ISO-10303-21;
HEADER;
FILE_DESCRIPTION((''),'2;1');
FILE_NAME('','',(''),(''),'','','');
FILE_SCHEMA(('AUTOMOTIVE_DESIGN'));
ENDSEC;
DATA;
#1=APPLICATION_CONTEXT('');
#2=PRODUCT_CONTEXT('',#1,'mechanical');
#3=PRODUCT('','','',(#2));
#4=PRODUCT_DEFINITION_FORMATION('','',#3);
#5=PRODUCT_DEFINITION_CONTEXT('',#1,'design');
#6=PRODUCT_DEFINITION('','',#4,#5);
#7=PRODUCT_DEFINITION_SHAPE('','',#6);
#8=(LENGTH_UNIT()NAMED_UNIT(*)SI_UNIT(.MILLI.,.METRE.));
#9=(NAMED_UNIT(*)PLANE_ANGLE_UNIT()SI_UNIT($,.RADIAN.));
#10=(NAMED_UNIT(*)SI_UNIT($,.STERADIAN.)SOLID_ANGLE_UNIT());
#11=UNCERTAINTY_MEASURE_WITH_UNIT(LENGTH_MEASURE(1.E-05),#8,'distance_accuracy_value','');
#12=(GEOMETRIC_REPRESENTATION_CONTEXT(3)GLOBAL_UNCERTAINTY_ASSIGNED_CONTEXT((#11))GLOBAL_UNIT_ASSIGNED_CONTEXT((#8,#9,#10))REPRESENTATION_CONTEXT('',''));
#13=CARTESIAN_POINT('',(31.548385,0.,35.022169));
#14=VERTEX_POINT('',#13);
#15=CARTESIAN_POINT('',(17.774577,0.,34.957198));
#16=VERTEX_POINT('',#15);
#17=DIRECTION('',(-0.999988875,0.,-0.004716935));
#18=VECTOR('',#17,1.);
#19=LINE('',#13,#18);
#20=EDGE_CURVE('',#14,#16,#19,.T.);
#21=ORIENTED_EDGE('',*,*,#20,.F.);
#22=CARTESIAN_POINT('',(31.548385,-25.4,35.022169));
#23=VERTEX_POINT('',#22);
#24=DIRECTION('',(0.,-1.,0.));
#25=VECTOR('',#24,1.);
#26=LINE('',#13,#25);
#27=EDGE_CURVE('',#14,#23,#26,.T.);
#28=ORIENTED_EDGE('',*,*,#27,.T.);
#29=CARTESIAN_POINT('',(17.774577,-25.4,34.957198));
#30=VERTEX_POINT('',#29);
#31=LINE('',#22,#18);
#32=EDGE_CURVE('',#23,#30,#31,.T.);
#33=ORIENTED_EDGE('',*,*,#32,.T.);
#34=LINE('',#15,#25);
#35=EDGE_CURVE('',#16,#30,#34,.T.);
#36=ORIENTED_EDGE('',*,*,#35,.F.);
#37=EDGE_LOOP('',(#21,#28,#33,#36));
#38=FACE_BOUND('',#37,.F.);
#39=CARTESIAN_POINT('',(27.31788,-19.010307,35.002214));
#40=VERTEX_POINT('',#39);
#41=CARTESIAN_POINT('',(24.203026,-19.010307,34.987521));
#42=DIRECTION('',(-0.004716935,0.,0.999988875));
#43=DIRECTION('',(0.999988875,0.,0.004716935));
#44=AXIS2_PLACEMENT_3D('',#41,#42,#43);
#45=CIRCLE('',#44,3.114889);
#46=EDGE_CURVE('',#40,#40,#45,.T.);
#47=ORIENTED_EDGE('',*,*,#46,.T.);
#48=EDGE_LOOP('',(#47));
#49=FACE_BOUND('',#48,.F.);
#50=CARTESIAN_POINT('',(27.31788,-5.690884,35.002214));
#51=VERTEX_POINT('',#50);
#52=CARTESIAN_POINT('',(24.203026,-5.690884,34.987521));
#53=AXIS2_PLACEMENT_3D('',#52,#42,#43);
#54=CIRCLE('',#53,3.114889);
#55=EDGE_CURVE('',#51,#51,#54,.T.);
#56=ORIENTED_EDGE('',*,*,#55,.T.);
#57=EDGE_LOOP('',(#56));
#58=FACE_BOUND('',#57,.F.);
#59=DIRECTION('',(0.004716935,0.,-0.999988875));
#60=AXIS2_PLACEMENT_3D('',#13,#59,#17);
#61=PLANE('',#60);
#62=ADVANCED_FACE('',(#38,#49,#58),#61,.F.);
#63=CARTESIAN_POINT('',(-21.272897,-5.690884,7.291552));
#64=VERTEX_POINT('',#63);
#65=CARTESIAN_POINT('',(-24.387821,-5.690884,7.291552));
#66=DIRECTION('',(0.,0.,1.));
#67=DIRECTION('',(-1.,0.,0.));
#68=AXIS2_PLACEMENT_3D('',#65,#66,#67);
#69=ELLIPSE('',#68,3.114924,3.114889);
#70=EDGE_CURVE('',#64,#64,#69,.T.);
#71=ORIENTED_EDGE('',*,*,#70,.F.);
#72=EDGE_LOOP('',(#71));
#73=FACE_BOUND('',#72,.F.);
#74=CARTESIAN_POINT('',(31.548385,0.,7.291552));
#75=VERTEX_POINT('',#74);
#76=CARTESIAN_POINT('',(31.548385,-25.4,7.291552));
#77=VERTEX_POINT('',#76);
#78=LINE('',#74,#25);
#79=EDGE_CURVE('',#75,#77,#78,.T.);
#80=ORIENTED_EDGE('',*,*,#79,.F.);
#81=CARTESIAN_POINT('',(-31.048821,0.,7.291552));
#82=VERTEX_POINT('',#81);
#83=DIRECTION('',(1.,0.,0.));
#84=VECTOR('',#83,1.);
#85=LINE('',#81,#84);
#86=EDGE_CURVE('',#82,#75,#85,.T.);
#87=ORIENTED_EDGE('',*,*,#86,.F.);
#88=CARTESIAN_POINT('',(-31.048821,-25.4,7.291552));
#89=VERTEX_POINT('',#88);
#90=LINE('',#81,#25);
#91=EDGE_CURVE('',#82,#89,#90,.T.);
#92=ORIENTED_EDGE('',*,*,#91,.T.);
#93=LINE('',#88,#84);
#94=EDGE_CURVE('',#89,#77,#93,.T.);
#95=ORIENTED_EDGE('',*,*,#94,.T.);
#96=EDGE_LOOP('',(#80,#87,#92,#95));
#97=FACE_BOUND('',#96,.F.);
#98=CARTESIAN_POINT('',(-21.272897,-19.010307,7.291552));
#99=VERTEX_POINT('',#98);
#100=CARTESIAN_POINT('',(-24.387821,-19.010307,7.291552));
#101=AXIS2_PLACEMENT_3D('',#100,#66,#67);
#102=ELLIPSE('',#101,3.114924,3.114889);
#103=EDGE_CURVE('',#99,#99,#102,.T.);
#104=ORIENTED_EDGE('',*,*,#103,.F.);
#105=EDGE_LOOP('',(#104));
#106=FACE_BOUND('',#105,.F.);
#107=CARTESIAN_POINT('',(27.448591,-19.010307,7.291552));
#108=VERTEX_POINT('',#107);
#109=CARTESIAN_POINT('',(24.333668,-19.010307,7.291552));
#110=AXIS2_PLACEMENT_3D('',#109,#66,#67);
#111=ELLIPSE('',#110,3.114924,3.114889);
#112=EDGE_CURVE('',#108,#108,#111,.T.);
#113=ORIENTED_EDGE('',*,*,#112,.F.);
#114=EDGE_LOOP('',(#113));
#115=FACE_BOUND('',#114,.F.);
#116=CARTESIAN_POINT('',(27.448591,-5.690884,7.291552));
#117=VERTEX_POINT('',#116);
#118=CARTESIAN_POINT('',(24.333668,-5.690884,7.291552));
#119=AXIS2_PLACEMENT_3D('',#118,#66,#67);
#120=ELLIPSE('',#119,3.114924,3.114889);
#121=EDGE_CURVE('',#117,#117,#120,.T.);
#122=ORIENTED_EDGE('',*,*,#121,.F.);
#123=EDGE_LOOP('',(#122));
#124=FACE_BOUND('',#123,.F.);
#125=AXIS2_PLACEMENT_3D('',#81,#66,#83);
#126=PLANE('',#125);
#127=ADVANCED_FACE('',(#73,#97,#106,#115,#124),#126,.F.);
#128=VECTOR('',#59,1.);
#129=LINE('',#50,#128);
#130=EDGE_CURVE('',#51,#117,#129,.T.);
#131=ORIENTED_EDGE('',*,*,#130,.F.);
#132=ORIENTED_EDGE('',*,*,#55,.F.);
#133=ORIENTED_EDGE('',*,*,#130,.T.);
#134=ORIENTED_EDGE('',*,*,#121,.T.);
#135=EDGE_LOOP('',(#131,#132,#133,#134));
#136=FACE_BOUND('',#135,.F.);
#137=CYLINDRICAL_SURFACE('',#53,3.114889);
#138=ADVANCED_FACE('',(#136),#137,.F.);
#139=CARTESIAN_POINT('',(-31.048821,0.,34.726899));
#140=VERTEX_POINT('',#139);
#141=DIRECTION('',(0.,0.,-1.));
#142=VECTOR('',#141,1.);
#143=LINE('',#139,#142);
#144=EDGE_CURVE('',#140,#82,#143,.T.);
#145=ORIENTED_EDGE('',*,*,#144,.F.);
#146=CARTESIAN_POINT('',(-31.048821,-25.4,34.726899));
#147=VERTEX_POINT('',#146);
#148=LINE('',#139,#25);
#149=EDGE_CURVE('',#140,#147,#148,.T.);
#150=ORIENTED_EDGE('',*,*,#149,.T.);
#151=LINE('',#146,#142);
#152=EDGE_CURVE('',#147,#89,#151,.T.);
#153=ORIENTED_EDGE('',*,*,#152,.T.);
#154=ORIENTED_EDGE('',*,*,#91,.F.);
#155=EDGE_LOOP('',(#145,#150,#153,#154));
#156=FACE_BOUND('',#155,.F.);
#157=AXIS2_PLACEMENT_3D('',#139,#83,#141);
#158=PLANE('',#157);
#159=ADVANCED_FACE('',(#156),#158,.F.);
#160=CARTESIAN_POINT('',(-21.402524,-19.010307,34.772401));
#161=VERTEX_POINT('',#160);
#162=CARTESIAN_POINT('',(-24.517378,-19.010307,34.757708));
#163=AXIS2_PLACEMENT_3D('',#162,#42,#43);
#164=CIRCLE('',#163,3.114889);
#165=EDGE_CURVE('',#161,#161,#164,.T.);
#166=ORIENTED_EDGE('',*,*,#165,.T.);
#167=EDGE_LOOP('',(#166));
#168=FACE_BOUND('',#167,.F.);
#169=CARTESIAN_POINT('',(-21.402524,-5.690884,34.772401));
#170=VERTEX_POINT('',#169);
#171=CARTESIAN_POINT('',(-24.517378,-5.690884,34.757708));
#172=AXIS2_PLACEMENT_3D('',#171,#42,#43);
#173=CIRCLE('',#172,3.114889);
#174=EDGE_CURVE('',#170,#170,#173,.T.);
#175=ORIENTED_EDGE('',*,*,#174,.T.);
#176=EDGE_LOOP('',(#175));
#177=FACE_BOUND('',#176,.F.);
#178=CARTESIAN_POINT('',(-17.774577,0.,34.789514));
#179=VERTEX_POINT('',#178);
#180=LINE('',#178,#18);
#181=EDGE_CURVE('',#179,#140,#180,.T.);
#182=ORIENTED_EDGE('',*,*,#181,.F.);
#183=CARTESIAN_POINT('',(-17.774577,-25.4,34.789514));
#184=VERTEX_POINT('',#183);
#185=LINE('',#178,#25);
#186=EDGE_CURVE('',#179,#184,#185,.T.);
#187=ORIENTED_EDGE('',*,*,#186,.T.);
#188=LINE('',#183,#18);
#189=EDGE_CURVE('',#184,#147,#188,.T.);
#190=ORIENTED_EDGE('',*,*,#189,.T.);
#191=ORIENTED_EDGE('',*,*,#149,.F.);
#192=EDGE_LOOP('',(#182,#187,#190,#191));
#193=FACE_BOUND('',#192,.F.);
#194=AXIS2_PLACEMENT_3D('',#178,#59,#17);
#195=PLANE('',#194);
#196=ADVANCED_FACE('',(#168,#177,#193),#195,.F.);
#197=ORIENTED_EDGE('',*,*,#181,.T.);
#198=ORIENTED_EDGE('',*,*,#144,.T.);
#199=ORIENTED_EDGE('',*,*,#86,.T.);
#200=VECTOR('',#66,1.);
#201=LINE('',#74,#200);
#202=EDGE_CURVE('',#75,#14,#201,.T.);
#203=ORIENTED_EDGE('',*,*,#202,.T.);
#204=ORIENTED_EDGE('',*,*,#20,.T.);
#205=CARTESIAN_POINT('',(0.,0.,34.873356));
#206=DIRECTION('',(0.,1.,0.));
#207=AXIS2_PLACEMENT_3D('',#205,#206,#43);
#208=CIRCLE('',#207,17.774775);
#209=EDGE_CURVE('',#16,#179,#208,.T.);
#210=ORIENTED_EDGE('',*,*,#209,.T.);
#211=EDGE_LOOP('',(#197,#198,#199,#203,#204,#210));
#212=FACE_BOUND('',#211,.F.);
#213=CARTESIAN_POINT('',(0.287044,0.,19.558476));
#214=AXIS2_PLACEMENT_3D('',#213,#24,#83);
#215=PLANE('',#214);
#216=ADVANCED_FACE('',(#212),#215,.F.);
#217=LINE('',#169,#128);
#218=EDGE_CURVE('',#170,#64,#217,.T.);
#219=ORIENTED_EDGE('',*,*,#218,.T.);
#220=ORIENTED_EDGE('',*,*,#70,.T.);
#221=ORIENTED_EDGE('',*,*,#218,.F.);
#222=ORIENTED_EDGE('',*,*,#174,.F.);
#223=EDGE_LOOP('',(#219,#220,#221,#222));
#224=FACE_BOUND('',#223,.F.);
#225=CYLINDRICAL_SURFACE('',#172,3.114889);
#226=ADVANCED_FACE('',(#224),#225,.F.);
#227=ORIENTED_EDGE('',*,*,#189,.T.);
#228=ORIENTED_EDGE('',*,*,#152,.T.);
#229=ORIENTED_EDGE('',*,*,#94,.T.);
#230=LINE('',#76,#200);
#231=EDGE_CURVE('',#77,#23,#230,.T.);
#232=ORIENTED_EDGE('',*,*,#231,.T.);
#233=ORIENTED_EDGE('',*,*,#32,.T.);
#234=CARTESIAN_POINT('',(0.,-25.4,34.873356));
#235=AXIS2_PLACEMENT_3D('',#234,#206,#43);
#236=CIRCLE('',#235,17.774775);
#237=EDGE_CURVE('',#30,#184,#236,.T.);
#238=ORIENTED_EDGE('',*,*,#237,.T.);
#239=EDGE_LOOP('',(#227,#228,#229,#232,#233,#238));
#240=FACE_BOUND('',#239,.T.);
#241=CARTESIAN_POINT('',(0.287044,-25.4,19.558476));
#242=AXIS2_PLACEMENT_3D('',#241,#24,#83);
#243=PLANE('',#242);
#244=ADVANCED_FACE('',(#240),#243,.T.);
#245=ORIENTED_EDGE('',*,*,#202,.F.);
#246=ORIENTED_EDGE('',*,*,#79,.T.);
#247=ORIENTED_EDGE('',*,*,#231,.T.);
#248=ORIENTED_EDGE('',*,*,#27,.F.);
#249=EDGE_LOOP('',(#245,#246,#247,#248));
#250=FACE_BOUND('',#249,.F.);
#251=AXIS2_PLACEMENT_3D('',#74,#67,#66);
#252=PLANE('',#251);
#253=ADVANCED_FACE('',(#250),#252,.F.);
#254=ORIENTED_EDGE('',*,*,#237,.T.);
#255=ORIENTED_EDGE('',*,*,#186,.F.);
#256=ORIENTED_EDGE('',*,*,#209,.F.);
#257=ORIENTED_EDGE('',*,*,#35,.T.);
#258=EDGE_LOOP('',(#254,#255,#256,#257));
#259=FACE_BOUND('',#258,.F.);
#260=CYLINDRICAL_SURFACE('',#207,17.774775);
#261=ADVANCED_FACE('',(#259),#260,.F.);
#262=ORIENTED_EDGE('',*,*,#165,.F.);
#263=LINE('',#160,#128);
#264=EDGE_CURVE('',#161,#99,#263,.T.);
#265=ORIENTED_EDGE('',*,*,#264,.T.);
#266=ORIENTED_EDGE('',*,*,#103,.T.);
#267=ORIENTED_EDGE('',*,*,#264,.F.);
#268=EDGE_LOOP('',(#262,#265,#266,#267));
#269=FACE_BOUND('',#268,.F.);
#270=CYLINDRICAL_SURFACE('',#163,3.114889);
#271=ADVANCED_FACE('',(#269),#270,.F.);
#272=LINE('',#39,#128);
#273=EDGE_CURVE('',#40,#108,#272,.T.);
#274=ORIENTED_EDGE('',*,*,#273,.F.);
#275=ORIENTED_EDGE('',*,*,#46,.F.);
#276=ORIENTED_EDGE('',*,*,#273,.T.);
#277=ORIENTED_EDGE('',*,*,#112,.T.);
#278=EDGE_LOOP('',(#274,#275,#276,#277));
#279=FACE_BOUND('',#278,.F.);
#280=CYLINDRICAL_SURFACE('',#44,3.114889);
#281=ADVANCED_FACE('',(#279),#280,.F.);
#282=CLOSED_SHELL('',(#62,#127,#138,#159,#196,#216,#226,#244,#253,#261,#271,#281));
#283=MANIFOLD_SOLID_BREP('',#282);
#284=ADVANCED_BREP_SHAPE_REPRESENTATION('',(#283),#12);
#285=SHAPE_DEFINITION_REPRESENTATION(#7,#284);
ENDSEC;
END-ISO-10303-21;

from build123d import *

# Parameters (mm, degrees)
F1_DEPTH = 25.4
F2_R     = 3.1148890727
F3_DEPTH = 27.7119707165


with BuildPart() as f1:
    # F0 (on Front) → F1 (new body)
    with BuildSketch(Plane.XZ):
        with BuildLine():
            Line((-17.7745768782, 34.7895135615), (-31.0488212854, 34.7268991172))
            Line((-31.0488212854, 34.7268991172), (-31.0488212854, 7.2915516794))
            Line((-31.0488212854, 7.2915516794), (31.548384577, 7.2915516794))
            Line((31.548384577, 7.2915516794), (31.548384577, 35.0221693516))
            Line((31.548384577, 35.0221693516), (17.7745768782, 34.9571984735))
            ThreePointArc((17.7745768782, 34.9571984735), (0.083842456, 17.0987791393), (-17.7745768782, 34.7895135615))
        make_face()
    extrude(amount=F1_DEPTH)

    # F2 (on face) → F3 (cut, through all)
    with BuildSketch(Plane(origin=(-0.1644935226, 0, 34.8725801036), x_dir=(0.9999888752, 0, 0.004716935), z_dir=(-0.004716935, 0, 0.9999888752))):
        with Locations((-24.3531558663, -5.6908838451)):
            Circle(F2_R)
        with Locations((-24.3531558663, -19.0103072673)):
            Circle(F2_R)
        with Locations((24.3677906692, -5.6908838451)):
            Circle(F2_R)
        with Locations((24.3677906692, -19.0103072673)):
            Circle(F2_R)
    extrude(amount=-F3_DEPTH, mode=Mode.SUBTRACT)


solid = f1.part
